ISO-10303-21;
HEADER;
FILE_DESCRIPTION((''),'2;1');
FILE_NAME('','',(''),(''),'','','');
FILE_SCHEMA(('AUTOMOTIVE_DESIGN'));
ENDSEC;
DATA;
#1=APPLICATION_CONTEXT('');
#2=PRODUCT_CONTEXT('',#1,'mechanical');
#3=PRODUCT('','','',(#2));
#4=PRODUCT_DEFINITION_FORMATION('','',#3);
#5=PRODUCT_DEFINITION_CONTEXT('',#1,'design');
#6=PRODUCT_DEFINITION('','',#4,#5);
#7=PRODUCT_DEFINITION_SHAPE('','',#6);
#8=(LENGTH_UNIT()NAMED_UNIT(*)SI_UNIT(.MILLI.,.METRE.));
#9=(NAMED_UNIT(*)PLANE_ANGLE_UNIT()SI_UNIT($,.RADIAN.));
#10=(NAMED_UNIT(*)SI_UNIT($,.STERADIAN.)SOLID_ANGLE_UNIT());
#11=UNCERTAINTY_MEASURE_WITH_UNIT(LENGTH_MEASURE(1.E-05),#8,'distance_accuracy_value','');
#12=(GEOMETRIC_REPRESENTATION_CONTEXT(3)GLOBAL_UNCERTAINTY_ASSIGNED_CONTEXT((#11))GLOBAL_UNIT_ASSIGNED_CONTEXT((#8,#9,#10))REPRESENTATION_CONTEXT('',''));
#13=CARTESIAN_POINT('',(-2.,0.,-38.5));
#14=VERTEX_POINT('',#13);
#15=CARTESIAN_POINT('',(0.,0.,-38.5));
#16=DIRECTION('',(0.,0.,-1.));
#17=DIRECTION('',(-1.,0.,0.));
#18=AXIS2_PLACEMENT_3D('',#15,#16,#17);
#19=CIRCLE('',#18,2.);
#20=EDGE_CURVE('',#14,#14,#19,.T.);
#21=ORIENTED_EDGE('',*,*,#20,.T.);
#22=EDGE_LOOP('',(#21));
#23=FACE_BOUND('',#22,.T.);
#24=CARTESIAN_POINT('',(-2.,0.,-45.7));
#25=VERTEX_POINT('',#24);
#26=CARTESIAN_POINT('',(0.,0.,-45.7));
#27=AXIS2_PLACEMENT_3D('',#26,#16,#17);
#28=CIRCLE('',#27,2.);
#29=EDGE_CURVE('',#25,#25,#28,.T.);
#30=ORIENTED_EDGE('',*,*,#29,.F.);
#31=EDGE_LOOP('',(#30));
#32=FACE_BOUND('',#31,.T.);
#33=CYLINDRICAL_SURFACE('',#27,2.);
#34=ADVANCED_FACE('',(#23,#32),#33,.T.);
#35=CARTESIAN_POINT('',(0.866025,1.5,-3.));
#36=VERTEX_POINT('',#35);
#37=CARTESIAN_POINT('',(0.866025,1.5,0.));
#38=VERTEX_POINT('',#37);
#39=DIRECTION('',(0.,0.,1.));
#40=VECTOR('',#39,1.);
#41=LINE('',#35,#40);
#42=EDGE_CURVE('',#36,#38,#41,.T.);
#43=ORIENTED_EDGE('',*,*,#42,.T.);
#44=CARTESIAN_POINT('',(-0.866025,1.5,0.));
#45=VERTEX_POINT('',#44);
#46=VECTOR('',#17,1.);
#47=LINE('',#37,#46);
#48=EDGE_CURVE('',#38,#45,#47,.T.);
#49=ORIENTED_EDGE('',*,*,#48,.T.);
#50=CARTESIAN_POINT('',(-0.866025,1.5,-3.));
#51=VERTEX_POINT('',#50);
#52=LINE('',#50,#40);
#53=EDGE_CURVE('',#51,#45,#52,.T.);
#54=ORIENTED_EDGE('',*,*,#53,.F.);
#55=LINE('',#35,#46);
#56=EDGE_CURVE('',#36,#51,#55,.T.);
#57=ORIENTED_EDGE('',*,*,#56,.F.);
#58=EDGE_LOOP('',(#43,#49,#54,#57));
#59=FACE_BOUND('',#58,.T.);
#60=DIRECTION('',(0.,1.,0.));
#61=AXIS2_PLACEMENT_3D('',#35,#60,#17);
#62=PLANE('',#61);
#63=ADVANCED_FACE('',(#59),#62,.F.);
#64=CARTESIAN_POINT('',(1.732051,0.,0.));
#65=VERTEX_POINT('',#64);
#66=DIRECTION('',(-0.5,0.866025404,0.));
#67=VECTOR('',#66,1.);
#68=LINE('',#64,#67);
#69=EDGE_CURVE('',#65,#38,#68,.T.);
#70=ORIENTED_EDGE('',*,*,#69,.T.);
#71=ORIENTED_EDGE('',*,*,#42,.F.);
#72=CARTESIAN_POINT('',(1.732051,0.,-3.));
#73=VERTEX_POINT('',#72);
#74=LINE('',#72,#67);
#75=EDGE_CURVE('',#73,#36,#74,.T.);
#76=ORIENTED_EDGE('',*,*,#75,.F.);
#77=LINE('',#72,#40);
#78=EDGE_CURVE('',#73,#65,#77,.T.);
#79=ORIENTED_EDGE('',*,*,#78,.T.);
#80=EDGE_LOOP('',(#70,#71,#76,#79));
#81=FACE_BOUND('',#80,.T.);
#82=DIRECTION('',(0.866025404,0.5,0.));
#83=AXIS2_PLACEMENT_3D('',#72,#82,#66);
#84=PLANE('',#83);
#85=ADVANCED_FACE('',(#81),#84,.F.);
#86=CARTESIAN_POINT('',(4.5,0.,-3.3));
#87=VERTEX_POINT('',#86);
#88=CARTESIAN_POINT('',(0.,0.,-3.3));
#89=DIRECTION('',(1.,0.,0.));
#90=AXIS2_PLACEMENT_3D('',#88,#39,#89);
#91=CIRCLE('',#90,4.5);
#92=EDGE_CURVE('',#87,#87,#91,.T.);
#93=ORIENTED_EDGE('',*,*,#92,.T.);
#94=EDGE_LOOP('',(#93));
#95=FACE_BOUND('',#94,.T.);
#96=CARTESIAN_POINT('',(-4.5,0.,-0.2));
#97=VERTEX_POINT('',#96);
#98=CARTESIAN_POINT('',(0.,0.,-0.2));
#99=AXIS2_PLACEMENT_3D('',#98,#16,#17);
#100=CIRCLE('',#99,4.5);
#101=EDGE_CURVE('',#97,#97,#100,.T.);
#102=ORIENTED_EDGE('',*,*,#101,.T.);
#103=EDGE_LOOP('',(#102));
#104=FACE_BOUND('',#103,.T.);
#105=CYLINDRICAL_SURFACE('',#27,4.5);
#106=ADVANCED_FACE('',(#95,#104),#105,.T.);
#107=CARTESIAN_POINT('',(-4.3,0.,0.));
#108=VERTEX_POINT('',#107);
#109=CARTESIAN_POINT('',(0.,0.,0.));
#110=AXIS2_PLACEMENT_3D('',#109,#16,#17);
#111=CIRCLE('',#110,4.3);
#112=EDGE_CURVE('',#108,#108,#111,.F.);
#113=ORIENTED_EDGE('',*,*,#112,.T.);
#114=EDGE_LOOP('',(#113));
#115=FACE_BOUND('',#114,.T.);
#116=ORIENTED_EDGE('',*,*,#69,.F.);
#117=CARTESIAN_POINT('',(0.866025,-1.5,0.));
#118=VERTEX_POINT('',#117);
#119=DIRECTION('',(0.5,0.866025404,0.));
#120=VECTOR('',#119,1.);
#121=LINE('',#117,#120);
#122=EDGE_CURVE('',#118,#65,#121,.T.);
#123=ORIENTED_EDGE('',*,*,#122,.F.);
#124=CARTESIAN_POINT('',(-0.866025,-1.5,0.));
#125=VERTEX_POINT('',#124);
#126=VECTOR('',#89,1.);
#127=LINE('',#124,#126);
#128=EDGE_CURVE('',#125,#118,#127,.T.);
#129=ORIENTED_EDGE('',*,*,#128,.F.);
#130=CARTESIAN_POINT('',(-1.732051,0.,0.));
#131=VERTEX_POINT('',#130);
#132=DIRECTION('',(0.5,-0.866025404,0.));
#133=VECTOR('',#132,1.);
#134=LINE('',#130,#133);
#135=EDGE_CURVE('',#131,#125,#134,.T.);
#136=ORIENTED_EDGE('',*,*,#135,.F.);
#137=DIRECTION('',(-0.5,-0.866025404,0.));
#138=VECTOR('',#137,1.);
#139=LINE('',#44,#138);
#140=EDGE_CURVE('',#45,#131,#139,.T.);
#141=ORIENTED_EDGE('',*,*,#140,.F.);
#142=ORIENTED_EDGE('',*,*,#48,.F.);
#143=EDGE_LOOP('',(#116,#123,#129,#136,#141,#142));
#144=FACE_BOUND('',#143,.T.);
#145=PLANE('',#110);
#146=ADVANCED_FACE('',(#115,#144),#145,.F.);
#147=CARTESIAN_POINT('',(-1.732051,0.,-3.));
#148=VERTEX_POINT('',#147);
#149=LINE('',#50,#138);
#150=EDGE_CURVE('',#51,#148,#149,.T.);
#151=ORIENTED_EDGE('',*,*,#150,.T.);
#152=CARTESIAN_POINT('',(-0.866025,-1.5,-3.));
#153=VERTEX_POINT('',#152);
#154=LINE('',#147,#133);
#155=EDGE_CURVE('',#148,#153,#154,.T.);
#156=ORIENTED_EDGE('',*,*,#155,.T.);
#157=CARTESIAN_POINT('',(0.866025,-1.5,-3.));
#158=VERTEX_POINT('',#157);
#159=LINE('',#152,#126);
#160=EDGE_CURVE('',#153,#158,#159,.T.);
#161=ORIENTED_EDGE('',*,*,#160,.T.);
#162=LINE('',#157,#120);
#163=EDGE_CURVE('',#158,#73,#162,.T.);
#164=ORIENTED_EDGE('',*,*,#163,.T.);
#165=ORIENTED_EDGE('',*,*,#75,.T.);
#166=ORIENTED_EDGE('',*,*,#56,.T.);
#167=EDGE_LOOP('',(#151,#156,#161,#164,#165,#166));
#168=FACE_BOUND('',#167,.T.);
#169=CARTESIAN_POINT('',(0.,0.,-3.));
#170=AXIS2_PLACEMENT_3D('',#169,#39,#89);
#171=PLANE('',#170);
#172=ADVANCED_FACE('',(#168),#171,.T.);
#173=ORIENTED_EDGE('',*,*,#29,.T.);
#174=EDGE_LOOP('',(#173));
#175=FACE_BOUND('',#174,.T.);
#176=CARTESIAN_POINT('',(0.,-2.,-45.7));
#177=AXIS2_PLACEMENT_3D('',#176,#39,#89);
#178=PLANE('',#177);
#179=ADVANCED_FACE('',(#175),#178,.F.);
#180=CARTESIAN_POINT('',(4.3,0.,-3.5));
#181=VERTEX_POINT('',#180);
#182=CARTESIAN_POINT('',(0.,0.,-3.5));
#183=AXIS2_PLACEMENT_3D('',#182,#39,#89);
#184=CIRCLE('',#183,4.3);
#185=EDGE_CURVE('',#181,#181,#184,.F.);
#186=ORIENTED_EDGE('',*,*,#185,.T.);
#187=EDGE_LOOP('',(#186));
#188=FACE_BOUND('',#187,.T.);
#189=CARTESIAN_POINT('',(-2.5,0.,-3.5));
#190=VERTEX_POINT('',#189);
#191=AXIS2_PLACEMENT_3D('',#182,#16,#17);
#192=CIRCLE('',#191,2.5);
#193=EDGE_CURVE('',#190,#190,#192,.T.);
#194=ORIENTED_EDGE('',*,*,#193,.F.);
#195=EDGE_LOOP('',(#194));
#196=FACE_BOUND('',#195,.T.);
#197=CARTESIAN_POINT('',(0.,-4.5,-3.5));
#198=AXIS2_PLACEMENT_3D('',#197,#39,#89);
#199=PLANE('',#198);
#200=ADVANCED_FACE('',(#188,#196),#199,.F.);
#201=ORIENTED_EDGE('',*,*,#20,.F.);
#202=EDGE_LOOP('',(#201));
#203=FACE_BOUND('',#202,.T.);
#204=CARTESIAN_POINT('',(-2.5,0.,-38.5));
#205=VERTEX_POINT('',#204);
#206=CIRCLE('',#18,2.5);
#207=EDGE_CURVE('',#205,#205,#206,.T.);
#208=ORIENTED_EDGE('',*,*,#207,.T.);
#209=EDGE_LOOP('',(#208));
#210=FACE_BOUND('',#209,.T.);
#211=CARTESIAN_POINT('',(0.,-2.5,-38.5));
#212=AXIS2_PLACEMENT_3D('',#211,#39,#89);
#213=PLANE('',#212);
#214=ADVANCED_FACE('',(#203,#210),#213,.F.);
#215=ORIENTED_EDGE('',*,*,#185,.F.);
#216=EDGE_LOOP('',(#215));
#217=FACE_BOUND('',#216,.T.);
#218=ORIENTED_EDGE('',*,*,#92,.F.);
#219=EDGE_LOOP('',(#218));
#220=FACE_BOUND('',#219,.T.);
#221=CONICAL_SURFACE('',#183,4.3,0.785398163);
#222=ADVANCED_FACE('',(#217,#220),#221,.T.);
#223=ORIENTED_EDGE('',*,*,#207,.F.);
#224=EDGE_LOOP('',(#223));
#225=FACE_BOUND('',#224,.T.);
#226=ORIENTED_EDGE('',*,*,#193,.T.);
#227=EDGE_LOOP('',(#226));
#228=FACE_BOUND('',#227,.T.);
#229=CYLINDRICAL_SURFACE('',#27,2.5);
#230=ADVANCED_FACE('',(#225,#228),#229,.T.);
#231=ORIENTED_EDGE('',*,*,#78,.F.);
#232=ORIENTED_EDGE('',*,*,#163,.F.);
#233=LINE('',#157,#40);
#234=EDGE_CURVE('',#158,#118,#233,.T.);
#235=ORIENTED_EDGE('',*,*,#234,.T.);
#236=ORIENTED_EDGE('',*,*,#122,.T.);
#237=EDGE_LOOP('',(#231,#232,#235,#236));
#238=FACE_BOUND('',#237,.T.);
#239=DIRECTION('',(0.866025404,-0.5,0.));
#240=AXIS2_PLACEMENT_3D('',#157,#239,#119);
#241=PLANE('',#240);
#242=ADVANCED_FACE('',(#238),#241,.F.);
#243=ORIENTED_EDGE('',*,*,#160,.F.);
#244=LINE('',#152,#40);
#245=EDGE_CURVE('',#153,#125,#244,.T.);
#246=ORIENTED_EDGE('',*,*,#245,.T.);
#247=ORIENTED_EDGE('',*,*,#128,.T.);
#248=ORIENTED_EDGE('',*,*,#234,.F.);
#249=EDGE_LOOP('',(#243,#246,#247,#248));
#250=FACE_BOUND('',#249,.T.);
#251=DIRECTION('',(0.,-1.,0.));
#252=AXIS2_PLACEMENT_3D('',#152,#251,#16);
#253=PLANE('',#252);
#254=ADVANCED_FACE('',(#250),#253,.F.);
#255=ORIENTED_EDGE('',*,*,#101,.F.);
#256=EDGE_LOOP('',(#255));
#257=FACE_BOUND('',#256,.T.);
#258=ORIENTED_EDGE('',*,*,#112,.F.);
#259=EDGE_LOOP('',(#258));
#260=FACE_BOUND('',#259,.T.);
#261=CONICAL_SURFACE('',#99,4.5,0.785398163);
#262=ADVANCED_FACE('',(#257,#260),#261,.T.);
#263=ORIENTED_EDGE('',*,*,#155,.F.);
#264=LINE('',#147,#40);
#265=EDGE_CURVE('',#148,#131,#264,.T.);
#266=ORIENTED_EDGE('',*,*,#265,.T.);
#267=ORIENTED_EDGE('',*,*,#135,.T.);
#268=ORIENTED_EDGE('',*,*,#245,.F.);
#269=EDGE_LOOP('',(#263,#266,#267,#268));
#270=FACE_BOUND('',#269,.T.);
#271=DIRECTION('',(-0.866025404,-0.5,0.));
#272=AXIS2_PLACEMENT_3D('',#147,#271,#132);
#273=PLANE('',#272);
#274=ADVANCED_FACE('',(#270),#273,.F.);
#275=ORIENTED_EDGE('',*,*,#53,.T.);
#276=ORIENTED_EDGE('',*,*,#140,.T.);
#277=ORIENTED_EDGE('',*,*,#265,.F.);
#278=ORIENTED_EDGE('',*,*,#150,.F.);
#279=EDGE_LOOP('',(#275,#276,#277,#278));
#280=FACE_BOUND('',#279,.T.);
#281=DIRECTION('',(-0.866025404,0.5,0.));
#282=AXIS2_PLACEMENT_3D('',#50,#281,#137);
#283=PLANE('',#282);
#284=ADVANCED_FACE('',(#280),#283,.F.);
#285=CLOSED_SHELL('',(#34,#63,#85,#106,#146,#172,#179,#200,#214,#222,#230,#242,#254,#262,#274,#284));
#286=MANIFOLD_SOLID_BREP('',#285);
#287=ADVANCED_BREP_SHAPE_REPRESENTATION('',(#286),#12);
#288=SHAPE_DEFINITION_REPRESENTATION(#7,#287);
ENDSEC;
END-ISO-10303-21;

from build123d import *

# Parameters (mm, degrees)
CUT_EXTRUDE_1_DEPTH = 3
CHAMFER_1_SIZE      = 0.2


with BuildPart() as part:
    # 草图1 → 旋转1 (revolve)
    with BuildSketch(Plane.YZ, mode=Mode.PRIVATE) as revolve_1_sk:
        Polygon((0, 0), (-4.5, 0), (-4.5, -3.5), (-2.5, -3.5), (-2.5, -38.5), (-2, -38.5), (-2, -45.7), (0, -45.7), align=None)
    revolve(revolve_1_sk.sketch.rotate(Axis((0, 0, -45.7), (0, 0, 1)), 270), axis=Axis((0, 0, -45.7), (0, 0, 1)))

    # 草图2 → 切除-拉伸1 (cut)
    with BuildSketch(Plane.XY):
        Polygon((1.732050808, 0), (0.866025404, 1.5), (-0.866025404, 1.5), (-1.732050808, 0), (-0.866025404, -1.5), (0.866025404, -1.5), align=None)
    extrude(amount=-CUT_EXTRUDE_1_DEPTH, mode=Mode.SUBTRACT)

    # 倒角1
    chamfer_1_edges = [part.edges().sort_by_distance(p)[0] for p in [
        (4.5, 0, -3.5),
        (4.5, 0, 0),
    ]]
    chamfer(chamfer_1_edges, length=CHAMFER_1_SIZE)


solid = part.part
